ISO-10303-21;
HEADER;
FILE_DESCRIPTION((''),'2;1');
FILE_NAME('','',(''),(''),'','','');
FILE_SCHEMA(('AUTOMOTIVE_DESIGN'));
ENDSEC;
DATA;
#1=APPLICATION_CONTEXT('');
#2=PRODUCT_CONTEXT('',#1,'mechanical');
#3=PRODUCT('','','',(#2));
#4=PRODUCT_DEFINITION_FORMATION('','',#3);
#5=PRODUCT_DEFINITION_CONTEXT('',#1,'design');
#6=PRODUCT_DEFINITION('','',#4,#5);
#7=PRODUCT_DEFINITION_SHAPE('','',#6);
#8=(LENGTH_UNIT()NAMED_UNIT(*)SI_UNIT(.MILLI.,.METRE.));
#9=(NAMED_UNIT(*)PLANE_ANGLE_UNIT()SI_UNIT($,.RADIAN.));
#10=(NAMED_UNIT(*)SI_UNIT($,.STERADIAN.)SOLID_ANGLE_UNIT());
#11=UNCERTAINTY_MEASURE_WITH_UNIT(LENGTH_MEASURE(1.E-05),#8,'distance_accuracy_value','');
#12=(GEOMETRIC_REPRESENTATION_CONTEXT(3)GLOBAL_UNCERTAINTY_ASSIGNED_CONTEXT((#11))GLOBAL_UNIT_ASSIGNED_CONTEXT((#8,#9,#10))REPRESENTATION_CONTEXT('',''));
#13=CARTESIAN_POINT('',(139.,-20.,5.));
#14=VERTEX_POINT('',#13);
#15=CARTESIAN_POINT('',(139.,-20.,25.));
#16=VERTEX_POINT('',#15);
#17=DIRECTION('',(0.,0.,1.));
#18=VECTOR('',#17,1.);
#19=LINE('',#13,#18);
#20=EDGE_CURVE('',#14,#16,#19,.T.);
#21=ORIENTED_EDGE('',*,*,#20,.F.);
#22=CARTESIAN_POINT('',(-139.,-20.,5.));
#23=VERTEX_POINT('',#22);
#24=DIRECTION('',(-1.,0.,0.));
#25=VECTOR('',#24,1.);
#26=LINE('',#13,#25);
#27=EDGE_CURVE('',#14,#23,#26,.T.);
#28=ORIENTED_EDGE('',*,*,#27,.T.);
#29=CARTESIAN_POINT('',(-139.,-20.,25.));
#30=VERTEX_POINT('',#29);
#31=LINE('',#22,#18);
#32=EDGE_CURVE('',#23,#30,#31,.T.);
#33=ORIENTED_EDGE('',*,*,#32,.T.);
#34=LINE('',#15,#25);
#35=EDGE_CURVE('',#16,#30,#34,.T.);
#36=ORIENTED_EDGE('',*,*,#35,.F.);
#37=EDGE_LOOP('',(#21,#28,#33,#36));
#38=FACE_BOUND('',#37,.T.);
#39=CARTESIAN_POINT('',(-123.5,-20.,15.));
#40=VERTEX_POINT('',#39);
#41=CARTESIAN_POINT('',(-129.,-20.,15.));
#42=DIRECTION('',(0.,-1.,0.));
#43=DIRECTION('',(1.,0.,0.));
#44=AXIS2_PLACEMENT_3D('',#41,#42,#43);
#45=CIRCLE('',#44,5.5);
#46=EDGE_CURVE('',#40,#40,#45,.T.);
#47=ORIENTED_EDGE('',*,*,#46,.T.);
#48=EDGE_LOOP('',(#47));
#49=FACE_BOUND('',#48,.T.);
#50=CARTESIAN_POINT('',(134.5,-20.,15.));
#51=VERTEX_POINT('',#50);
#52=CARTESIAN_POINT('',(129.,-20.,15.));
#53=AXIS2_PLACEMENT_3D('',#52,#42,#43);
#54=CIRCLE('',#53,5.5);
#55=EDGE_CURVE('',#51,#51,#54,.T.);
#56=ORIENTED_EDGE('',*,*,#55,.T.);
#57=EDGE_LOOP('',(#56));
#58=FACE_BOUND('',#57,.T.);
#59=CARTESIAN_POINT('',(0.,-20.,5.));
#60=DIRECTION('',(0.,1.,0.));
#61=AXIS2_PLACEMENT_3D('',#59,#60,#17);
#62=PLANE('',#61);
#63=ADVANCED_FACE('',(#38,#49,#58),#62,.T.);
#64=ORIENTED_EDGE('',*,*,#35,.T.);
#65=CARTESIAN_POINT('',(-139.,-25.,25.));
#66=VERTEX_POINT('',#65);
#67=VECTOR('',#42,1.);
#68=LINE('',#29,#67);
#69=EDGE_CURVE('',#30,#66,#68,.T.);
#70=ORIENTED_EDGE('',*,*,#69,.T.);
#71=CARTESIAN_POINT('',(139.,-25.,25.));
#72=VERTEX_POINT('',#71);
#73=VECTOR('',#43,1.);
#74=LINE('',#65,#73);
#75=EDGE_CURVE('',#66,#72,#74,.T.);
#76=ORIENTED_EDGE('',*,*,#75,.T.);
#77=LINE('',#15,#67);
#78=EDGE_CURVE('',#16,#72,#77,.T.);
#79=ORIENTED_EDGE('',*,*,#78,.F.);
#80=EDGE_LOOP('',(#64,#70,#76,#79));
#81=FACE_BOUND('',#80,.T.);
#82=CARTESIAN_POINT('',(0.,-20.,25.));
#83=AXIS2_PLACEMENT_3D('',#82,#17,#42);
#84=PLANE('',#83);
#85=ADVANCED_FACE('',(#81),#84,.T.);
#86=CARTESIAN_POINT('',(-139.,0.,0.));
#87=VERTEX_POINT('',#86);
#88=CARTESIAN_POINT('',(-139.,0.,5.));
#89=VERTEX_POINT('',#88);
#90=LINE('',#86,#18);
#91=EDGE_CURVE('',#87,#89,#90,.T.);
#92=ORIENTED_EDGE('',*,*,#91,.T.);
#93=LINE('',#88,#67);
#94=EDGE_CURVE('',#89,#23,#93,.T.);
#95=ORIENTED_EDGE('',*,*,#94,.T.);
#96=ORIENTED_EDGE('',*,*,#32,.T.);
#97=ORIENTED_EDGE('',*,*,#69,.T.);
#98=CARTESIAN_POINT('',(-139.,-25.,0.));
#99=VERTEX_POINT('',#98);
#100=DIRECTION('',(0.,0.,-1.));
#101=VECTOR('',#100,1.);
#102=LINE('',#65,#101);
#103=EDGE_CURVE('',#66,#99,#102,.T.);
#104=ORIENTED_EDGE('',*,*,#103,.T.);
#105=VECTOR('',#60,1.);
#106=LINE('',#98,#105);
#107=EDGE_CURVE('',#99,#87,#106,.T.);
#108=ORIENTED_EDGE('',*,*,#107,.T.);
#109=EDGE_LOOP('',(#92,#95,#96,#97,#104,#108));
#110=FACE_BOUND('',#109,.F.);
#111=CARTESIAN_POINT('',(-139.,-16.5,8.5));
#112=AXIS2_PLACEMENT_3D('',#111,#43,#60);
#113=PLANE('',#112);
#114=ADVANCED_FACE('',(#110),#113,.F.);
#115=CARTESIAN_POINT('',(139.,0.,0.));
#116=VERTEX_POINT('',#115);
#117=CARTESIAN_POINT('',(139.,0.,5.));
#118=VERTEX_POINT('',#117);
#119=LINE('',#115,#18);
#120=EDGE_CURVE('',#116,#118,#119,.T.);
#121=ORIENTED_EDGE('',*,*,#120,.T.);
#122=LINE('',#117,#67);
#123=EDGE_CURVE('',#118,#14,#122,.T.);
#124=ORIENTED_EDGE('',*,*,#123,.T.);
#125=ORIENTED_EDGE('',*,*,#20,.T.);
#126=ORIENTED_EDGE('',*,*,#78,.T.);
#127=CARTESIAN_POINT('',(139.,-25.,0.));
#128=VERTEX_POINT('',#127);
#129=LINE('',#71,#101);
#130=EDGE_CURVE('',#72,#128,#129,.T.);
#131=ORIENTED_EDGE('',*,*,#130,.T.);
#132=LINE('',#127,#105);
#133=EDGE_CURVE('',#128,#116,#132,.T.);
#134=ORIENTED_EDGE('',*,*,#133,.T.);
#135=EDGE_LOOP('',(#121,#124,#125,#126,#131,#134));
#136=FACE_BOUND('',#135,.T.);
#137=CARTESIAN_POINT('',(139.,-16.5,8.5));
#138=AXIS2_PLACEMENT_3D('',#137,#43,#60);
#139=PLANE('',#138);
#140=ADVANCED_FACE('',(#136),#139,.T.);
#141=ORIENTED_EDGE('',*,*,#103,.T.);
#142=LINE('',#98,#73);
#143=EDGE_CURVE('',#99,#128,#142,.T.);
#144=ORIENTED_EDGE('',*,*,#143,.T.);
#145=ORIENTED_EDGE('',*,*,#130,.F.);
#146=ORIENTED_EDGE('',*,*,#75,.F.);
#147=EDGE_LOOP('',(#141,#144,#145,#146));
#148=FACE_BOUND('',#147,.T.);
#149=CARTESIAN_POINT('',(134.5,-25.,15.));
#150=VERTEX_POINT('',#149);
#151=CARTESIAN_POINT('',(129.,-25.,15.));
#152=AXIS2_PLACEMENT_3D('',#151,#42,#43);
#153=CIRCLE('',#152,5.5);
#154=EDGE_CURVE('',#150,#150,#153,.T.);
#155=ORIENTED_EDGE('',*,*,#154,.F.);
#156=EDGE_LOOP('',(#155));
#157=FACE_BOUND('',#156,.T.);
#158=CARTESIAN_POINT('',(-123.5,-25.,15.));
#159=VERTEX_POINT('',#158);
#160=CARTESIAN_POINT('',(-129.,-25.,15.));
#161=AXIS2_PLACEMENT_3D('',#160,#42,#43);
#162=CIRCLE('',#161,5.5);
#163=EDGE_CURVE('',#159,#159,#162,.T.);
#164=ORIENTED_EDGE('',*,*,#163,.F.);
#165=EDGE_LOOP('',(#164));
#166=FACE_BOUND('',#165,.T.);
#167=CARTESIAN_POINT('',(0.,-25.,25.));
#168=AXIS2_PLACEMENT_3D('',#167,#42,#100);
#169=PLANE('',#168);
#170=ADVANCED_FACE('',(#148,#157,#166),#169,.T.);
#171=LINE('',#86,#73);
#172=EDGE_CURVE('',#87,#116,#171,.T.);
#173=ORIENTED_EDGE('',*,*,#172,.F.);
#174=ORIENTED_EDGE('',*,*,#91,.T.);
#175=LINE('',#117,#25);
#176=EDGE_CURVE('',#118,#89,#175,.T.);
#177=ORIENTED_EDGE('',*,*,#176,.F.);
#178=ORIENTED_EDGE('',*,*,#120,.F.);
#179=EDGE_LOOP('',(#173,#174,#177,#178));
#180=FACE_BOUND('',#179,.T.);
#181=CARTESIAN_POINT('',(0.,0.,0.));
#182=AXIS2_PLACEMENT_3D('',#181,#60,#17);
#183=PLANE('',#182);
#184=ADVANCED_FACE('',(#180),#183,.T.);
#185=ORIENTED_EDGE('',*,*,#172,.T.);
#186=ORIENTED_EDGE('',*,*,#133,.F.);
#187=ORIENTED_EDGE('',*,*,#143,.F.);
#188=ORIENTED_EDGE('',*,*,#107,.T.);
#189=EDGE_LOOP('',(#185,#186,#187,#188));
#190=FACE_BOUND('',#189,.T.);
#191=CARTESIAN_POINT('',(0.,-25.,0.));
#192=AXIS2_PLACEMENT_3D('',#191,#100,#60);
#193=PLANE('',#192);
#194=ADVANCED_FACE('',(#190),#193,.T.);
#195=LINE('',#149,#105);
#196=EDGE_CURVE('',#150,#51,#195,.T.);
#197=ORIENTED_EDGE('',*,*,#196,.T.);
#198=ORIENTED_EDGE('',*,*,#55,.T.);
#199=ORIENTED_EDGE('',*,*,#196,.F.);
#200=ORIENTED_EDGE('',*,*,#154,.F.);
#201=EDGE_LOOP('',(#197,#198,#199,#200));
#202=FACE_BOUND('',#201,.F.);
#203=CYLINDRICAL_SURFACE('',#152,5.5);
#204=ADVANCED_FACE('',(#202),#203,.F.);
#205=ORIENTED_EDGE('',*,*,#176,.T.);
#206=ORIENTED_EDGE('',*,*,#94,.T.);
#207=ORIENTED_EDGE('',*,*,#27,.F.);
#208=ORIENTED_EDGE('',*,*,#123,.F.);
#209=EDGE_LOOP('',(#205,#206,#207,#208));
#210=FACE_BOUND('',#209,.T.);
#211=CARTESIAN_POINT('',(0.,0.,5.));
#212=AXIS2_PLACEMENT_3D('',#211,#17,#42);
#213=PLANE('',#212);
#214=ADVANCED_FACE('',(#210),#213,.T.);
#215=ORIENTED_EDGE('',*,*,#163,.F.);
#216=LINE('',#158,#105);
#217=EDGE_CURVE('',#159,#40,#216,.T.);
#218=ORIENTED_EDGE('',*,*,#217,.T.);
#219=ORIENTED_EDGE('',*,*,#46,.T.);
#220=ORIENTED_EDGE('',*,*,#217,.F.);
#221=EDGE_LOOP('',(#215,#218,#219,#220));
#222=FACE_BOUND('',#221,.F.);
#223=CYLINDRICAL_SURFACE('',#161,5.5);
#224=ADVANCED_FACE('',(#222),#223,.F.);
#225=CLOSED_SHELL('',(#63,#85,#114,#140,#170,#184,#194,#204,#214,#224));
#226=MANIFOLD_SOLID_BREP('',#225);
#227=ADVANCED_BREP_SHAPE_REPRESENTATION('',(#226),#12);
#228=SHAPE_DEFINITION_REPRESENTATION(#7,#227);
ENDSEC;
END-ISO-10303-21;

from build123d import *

# Parameters (mm, degrees)
F1_DEPTH = 139
F2_R     = 5.5
F3_DEPTH = 25.001


with BuildPart() as f1:
    # F0 (on Right) → F1 (new body, symmetric)
    with BuildSketch(Plane.YZ):
        Polygon((-20, 25), (-25, 25), (-25, 0), (0, 0), (0, 5), (-20, 5), align=None)
    extrude(amount=F1_DEPTH, both=True)

    # F2 (on face) → F3 (cut, through all)
    with BuildSketch(Plane.XZ.offset(25)):
        with Locations((129, 15)):
            Circle(F2_R)
        with Locations((-129, 15)):
            Circle(F2_R)
    extrude(amount=-F3_DEPTH, mode=Mode.SUBTRACT)


solid = f1.part
